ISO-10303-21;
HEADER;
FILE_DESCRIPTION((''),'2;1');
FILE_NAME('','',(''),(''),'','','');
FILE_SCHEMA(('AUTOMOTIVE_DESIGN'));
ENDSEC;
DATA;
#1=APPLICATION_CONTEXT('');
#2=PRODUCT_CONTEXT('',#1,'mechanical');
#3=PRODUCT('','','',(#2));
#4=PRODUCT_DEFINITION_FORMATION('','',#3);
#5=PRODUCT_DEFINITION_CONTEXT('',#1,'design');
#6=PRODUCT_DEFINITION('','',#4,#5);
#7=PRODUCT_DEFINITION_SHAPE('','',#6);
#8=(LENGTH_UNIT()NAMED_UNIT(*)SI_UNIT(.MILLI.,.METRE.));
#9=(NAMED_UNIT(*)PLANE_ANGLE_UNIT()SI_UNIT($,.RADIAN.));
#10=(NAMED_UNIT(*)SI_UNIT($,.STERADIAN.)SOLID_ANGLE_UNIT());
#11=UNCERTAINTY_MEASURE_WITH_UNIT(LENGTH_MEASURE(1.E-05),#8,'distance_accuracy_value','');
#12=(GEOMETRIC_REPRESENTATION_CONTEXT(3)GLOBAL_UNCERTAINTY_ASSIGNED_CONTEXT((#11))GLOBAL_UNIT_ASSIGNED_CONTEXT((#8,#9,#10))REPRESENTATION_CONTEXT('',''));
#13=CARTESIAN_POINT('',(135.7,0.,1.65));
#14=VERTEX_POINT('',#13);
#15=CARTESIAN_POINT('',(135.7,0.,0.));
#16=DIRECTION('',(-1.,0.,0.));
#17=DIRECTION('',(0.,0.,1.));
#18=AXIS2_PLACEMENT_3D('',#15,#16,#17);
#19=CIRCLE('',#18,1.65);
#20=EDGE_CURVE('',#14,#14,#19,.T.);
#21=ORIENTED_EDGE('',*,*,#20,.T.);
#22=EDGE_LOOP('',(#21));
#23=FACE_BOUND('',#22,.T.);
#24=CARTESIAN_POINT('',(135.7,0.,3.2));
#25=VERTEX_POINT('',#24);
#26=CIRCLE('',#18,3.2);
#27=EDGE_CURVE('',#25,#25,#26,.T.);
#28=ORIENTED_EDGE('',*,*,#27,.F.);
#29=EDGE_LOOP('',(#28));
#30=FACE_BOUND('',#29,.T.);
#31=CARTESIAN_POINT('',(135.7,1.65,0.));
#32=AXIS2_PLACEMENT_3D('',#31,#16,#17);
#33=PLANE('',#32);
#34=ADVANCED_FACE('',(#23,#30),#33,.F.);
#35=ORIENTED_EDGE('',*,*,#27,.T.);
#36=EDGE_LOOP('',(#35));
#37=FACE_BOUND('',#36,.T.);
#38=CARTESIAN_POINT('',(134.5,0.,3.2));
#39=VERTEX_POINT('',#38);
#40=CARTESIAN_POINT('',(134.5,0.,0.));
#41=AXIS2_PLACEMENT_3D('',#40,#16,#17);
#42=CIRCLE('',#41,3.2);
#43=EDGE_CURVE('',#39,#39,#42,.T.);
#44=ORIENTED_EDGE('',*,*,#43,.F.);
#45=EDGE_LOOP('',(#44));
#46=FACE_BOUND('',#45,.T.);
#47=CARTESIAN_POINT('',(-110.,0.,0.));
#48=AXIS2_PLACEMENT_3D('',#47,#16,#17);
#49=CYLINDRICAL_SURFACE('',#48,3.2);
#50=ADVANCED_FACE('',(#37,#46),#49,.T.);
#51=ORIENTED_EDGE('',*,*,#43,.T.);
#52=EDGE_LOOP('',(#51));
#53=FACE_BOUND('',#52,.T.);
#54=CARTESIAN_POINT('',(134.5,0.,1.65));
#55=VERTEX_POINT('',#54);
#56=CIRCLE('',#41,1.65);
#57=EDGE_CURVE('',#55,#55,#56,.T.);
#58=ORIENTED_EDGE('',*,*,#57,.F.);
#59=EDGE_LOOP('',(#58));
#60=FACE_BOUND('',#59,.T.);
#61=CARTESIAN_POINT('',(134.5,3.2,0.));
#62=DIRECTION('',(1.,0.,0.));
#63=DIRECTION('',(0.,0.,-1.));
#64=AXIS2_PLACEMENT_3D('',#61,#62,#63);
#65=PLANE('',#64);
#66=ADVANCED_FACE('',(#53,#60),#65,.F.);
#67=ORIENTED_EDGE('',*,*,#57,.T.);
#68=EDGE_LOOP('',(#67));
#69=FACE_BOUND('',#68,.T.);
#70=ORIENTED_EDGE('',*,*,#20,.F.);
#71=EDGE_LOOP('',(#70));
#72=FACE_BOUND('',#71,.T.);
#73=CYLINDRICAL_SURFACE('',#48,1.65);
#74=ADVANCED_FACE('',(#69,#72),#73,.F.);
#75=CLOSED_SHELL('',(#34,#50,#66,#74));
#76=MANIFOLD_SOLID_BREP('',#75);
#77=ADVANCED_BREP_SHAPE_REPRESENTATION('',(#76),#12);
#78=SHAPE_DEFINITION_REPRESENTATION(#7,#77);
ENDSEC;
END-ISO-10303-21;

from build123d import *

# Parameters (mm, degrees)
AXIAL_PROFILE_MM_W = 1.2
AXIAL_PROFILE_MM_H = 1.55


with BuildPart() as part:
    # Axial profile (mm) → Full revolution (revolve)
    with BuildSketch(Plane.XY, mode=Mode.PRIVATE) as full_revolution_sk:
        with Locations((135.1, 2.425)):
            Rectangle(AXIAL_PROFILE_MM_W, AXIAL_PROFILE_MM_H)
    revolve(full_revolution_sk.sketch.rotate(Axis((-110, 0, 0), (1, 0, 0)), 90), axis=Axis((-110, 0, 0), (1, 0, 0)))


solid = part.part
